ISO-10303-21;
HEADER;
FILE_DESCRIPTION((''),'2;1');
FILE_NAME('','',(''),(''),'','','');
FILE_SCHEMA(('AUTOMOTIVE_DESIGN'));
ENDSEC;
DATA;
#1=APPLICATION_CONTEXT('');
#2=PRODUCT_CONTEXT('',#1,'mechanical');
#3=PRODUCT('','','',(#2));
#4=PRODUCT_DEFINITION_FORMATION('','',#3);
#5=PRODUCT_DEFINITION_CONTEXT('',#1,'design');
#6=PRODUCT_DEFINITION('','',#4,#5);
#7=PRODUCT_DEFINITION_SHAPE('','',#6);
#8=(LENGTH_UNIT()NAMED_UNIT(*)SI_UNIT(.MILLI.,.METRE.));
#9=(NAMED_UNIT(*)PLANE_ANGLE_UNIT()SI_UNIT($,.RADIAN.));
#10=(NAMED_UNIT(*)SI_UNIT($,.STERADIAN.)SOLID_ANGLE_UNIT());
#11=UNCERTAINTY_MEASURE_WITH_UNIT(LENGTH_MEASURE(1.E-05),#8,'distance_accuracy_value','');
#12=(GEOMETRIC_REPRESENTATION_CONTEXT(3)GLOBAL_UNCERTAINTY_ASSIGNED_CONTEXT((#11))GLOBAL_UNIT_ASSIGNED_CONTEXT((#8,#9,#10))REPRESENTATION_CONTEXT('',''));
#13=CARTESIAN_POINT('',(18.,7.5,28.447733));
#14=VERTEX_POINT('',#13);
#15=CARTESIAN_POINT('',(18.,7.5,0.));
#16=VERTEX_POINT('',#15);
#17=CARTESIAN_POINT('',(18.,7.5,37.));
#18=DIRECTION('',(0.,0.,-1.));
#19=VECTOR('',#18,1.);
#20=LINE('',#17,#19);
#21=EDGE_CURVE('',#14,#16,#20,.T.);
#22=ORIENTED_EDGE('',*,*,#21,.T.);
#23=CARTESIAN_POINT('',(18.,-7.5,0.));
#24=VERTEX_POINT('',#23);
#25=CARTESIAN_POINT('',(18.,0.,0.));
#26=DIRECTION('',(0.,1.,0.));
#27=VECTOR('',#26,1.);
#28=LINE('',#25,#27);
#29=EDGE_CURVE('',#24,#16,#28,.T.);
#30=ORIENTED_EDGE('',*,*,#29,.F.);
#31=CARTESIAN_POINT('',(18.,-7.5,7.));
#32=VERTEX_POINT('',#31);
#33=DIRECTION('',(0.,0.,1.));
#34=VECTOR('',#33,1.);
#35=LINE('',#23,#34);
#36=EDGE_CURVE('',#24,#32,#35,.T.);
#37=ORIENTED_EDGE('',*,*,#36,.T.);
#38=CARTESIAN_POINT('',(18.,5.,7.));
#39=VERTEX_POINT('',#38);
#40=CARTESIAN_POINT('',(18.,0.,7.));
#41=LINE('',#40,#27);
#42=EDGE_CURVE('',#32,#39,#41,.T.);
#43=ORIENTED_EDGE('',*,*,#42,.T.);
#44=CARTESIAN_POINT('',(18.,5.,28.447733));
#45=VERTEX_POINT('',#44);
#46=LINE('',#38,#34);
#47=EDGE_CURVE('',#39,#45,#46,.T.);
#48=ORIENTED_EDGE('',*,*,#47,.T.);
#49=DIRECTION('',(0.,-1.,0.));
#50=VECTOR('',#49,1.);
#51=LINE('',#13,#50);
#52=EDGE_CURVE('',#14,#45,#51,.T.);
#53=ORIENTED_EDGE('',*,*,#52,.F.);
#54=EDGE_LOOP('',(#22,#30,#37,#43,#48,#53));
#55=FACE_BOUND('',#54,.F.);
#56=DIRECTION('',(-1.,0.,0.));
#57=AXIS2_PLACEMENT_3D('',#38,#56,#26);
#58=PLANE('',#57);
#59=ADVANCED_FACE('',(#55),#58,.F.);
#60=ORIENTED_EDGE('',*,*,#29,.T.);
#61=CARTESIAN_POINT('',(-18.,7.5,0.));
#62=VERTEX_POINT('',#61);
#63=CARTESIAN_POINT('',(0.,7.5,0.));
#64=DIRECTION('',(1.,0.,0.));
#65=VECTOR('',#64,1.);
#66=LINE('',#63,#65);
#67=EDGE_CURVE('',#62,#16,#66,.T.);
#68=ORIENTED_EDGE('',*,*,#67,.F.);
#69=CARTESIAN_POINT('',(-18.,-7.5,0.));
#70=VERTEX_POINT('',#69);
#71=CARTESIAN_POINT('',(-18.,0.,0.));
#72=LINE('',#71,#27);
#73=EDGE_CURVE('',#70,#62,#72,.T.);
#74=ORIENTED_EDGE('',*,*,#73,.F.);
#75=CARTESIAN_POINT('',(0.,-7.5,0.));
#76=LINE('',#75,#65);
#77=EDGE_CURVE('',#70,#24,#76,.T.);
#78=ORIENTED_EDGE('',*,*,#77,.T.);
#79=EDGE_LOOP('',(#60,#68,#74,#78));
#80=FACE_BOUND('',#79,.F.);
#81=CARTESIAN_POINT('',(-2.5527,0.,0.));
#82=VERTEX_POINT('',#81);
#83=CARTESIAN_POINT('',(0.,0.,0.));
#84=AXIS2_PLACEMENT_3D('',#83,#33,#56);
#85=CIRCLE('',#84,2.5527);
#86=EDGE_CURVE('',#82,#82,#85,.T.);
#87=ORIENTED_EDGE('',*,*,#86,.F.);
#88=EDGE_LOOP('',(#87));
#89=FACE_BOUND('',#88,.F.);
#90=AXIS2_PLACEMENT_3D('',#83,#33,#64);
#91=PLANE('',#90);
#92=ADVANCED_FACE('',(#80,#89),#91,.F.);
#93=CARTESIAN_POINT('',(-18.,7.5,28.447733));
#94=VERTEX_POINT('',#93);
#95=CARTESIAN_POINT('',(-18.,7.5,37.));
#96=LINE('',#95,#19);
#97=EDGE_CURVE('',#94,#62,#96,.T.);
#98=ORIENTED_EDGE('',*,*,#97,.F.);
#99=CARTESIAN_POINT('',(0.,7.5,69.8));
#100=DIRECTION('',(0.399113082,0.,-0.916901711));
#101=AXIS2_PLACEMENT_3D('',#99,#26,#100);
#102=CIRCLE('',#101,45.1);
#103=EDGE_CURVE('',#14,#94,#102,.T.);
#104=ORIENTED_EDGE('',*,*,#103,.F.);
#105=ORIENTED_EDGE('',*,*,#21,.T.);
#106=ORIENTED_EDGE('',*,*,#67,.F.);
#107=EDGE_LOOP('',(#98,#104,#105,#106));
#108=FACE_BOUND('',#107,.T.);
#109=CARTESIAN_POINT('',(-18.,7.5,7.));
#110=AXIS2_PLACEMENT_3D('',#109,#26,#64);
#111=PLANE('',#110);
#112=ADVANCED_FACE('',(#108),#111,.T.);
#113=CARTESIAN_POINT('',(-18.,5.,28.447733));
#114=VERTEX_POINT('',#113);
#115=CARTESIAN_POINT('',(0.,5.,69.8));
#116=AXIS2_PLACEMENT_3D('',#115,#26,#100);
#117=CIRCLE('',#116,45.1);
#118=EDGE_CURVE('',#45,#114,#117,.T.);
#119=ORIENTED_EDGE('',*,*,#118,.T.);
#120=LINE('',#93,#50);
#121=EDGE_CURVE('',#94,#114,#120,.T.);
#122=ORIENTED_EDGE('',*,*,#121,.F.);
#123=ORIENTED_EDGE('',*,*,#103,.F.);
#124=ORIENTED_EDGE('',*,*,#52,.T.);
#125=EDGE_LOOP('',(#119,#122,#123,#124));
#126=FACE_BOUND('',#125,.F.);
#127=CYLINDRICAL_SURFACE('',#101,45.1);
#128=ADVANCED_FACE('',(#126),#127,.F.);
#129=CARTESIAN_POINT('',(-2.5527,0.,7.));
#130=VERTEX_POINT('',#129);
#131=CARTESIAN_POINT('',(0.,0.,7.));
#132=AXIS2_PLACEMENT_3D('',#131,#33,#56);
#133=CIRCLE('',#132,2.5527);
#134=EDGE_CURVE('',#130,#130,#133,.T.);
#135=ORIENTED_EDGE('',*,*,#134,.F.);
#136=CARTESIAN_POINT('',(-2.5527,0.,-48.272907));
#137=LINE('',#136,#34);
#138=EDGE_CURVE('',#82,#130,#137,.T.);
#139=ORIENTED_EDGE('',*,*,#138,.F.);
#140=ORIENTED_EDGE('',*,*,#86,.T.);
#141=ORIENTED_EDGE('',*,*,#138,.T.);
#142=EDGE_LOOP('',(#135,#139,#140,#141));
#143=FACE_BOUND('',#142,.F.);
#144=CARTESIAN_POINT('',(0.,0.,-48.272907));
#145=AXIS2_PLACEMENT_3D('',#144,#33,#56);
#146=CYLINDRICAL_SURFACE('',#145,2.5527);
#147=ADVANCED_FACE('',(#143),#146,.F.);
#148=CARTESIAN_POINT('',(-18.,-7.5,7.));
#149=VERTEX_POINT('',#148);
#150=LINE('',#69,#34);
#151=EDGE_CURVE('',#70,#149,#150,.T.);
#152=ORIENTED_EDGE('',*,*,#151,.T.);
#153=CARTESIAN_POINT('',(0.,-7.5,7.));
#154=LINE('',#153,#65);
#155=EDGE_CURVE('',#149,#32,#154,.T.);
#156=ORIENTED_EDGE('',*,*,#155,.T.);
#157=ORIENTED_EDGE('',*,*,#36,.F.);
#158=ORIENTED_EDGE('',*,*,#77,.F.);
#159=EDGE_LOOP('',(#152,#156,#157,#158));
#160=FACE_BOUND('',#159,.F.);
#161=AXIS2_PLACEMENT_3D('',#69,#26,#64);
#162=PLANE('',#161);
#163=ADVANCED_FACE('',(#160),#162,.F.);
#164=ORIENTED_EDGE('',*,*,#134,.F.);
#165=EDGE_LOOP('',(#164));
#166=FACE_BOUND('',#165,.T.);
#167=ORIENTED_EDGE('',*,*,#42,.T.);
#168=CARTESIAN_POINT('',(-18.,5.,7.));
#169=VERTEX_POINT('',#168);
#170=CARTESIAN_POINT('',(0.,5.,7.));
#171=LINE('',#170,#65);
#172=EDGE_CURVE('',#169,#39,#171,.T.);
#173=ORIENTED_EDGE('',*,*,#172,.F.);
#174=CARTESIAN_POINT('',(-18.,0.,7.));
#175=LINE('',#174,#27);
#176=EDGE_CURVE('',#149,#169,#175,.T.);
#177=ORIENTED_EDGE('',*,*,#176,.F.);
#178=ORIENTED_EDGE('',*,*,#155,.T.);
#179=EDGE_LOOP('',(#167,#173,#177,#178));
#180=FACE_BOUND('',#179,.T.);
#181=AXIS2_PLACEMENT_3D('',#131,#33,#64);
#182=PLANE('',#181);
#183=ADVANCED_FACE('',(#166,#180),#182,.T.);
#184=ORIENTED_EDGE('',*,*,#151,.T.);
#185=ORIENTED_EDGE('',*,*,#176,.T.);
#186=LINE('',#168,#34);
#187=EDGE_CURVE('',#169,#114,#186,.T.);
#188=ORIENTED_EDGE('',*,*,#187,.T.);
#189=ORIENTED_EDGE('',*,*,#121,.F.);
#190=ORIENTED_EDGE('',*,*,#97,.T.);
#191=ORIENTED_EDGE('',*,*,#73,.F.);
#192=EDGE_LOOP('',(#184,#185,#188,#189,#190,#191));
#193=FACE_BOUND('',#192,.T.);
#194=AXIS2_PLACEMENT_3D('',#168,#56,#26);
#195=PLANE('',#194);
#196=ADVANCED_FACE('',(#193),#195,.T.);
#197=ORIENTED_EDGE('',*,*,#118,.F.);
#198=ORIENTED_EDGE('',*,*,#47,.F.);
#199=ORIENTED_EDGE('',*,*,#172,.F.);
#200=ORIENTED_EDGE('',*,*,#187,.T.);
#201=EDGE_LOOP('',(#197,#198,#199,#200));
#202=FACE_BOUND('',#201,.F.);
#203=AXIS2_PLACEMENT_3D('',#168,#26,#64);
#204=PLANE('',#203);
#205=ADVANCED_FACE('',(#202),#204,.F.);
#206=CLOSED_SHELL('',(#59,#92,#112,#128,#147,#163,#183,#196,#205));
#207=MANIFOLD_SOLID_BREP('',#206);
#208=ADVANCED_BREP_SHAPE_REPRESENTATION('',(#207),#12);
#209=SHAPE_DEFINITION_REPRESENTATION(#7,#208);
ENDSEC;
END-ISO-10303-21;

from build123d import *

# Parameters (mm, degrees)
F0_W       = 36
F0_H       = 15
F1_DEPTH   = 7
F2_W       = 36
F2_H       = 2.5
F3_DEPTH   = 30
F3_FACE1_W = 36
F3_FACE1_H = 30
F5_DEPTH   = 25
F6_D       = 5.1054


with BuildPart() as f1:
    # F0 (on Top) → F1 (new body)
    with BuildSketch(Plane.XY):
        Rectangle(F0_W, F0_H)
    extrude(amount=F1_DEPTH)

    # F2 (on face) → F3 (join)
    with BuildSketch(Plane.XY.offset(7)):
        with Locations((0, 6.25)):
            Rectangle(F2_W, F2_H)
    extrude(amount=F3_DEPTH)

    # F4 (on face) + F3_face1 (on face) → F5 (cut)
    with BuildSketch(Plane(origin=(0, 7.5, 0), x_dir=(-1, 0, 0), z_dir=(0, 1, 0))):
        with BuildLine():
            Line((-18, 37), (-18, 28.4477328312))
            ThreePointArc((-18, 28.4477328312), (0, 24.7), (18, 28.4477328312))
            Line((18, 28.4477328312), (18, 37))
            Line((18, 37), (-18, 37))
        make_face()
    with BuildSketch(Plane(origin=(0, 5, 22), x_dir=(1, 0, 0), z_dir=(0, -1, 0))):
        Rectangle(F3_FACE1_W, F3_FACE1_H)
    extrude(amount=-F5_DEPTH, dir=(0, 1, 0), mode=Mode.SUBTRACT)

    # F6 (through all)
    with Locations(Plane(origin=(0, 0, 0), x_dir=(1, 0, 0), z_dir=(0, 0, -1))):
        with Locations((0, 0)):
            Hole(F6_D / 2)


solid = f1.part
